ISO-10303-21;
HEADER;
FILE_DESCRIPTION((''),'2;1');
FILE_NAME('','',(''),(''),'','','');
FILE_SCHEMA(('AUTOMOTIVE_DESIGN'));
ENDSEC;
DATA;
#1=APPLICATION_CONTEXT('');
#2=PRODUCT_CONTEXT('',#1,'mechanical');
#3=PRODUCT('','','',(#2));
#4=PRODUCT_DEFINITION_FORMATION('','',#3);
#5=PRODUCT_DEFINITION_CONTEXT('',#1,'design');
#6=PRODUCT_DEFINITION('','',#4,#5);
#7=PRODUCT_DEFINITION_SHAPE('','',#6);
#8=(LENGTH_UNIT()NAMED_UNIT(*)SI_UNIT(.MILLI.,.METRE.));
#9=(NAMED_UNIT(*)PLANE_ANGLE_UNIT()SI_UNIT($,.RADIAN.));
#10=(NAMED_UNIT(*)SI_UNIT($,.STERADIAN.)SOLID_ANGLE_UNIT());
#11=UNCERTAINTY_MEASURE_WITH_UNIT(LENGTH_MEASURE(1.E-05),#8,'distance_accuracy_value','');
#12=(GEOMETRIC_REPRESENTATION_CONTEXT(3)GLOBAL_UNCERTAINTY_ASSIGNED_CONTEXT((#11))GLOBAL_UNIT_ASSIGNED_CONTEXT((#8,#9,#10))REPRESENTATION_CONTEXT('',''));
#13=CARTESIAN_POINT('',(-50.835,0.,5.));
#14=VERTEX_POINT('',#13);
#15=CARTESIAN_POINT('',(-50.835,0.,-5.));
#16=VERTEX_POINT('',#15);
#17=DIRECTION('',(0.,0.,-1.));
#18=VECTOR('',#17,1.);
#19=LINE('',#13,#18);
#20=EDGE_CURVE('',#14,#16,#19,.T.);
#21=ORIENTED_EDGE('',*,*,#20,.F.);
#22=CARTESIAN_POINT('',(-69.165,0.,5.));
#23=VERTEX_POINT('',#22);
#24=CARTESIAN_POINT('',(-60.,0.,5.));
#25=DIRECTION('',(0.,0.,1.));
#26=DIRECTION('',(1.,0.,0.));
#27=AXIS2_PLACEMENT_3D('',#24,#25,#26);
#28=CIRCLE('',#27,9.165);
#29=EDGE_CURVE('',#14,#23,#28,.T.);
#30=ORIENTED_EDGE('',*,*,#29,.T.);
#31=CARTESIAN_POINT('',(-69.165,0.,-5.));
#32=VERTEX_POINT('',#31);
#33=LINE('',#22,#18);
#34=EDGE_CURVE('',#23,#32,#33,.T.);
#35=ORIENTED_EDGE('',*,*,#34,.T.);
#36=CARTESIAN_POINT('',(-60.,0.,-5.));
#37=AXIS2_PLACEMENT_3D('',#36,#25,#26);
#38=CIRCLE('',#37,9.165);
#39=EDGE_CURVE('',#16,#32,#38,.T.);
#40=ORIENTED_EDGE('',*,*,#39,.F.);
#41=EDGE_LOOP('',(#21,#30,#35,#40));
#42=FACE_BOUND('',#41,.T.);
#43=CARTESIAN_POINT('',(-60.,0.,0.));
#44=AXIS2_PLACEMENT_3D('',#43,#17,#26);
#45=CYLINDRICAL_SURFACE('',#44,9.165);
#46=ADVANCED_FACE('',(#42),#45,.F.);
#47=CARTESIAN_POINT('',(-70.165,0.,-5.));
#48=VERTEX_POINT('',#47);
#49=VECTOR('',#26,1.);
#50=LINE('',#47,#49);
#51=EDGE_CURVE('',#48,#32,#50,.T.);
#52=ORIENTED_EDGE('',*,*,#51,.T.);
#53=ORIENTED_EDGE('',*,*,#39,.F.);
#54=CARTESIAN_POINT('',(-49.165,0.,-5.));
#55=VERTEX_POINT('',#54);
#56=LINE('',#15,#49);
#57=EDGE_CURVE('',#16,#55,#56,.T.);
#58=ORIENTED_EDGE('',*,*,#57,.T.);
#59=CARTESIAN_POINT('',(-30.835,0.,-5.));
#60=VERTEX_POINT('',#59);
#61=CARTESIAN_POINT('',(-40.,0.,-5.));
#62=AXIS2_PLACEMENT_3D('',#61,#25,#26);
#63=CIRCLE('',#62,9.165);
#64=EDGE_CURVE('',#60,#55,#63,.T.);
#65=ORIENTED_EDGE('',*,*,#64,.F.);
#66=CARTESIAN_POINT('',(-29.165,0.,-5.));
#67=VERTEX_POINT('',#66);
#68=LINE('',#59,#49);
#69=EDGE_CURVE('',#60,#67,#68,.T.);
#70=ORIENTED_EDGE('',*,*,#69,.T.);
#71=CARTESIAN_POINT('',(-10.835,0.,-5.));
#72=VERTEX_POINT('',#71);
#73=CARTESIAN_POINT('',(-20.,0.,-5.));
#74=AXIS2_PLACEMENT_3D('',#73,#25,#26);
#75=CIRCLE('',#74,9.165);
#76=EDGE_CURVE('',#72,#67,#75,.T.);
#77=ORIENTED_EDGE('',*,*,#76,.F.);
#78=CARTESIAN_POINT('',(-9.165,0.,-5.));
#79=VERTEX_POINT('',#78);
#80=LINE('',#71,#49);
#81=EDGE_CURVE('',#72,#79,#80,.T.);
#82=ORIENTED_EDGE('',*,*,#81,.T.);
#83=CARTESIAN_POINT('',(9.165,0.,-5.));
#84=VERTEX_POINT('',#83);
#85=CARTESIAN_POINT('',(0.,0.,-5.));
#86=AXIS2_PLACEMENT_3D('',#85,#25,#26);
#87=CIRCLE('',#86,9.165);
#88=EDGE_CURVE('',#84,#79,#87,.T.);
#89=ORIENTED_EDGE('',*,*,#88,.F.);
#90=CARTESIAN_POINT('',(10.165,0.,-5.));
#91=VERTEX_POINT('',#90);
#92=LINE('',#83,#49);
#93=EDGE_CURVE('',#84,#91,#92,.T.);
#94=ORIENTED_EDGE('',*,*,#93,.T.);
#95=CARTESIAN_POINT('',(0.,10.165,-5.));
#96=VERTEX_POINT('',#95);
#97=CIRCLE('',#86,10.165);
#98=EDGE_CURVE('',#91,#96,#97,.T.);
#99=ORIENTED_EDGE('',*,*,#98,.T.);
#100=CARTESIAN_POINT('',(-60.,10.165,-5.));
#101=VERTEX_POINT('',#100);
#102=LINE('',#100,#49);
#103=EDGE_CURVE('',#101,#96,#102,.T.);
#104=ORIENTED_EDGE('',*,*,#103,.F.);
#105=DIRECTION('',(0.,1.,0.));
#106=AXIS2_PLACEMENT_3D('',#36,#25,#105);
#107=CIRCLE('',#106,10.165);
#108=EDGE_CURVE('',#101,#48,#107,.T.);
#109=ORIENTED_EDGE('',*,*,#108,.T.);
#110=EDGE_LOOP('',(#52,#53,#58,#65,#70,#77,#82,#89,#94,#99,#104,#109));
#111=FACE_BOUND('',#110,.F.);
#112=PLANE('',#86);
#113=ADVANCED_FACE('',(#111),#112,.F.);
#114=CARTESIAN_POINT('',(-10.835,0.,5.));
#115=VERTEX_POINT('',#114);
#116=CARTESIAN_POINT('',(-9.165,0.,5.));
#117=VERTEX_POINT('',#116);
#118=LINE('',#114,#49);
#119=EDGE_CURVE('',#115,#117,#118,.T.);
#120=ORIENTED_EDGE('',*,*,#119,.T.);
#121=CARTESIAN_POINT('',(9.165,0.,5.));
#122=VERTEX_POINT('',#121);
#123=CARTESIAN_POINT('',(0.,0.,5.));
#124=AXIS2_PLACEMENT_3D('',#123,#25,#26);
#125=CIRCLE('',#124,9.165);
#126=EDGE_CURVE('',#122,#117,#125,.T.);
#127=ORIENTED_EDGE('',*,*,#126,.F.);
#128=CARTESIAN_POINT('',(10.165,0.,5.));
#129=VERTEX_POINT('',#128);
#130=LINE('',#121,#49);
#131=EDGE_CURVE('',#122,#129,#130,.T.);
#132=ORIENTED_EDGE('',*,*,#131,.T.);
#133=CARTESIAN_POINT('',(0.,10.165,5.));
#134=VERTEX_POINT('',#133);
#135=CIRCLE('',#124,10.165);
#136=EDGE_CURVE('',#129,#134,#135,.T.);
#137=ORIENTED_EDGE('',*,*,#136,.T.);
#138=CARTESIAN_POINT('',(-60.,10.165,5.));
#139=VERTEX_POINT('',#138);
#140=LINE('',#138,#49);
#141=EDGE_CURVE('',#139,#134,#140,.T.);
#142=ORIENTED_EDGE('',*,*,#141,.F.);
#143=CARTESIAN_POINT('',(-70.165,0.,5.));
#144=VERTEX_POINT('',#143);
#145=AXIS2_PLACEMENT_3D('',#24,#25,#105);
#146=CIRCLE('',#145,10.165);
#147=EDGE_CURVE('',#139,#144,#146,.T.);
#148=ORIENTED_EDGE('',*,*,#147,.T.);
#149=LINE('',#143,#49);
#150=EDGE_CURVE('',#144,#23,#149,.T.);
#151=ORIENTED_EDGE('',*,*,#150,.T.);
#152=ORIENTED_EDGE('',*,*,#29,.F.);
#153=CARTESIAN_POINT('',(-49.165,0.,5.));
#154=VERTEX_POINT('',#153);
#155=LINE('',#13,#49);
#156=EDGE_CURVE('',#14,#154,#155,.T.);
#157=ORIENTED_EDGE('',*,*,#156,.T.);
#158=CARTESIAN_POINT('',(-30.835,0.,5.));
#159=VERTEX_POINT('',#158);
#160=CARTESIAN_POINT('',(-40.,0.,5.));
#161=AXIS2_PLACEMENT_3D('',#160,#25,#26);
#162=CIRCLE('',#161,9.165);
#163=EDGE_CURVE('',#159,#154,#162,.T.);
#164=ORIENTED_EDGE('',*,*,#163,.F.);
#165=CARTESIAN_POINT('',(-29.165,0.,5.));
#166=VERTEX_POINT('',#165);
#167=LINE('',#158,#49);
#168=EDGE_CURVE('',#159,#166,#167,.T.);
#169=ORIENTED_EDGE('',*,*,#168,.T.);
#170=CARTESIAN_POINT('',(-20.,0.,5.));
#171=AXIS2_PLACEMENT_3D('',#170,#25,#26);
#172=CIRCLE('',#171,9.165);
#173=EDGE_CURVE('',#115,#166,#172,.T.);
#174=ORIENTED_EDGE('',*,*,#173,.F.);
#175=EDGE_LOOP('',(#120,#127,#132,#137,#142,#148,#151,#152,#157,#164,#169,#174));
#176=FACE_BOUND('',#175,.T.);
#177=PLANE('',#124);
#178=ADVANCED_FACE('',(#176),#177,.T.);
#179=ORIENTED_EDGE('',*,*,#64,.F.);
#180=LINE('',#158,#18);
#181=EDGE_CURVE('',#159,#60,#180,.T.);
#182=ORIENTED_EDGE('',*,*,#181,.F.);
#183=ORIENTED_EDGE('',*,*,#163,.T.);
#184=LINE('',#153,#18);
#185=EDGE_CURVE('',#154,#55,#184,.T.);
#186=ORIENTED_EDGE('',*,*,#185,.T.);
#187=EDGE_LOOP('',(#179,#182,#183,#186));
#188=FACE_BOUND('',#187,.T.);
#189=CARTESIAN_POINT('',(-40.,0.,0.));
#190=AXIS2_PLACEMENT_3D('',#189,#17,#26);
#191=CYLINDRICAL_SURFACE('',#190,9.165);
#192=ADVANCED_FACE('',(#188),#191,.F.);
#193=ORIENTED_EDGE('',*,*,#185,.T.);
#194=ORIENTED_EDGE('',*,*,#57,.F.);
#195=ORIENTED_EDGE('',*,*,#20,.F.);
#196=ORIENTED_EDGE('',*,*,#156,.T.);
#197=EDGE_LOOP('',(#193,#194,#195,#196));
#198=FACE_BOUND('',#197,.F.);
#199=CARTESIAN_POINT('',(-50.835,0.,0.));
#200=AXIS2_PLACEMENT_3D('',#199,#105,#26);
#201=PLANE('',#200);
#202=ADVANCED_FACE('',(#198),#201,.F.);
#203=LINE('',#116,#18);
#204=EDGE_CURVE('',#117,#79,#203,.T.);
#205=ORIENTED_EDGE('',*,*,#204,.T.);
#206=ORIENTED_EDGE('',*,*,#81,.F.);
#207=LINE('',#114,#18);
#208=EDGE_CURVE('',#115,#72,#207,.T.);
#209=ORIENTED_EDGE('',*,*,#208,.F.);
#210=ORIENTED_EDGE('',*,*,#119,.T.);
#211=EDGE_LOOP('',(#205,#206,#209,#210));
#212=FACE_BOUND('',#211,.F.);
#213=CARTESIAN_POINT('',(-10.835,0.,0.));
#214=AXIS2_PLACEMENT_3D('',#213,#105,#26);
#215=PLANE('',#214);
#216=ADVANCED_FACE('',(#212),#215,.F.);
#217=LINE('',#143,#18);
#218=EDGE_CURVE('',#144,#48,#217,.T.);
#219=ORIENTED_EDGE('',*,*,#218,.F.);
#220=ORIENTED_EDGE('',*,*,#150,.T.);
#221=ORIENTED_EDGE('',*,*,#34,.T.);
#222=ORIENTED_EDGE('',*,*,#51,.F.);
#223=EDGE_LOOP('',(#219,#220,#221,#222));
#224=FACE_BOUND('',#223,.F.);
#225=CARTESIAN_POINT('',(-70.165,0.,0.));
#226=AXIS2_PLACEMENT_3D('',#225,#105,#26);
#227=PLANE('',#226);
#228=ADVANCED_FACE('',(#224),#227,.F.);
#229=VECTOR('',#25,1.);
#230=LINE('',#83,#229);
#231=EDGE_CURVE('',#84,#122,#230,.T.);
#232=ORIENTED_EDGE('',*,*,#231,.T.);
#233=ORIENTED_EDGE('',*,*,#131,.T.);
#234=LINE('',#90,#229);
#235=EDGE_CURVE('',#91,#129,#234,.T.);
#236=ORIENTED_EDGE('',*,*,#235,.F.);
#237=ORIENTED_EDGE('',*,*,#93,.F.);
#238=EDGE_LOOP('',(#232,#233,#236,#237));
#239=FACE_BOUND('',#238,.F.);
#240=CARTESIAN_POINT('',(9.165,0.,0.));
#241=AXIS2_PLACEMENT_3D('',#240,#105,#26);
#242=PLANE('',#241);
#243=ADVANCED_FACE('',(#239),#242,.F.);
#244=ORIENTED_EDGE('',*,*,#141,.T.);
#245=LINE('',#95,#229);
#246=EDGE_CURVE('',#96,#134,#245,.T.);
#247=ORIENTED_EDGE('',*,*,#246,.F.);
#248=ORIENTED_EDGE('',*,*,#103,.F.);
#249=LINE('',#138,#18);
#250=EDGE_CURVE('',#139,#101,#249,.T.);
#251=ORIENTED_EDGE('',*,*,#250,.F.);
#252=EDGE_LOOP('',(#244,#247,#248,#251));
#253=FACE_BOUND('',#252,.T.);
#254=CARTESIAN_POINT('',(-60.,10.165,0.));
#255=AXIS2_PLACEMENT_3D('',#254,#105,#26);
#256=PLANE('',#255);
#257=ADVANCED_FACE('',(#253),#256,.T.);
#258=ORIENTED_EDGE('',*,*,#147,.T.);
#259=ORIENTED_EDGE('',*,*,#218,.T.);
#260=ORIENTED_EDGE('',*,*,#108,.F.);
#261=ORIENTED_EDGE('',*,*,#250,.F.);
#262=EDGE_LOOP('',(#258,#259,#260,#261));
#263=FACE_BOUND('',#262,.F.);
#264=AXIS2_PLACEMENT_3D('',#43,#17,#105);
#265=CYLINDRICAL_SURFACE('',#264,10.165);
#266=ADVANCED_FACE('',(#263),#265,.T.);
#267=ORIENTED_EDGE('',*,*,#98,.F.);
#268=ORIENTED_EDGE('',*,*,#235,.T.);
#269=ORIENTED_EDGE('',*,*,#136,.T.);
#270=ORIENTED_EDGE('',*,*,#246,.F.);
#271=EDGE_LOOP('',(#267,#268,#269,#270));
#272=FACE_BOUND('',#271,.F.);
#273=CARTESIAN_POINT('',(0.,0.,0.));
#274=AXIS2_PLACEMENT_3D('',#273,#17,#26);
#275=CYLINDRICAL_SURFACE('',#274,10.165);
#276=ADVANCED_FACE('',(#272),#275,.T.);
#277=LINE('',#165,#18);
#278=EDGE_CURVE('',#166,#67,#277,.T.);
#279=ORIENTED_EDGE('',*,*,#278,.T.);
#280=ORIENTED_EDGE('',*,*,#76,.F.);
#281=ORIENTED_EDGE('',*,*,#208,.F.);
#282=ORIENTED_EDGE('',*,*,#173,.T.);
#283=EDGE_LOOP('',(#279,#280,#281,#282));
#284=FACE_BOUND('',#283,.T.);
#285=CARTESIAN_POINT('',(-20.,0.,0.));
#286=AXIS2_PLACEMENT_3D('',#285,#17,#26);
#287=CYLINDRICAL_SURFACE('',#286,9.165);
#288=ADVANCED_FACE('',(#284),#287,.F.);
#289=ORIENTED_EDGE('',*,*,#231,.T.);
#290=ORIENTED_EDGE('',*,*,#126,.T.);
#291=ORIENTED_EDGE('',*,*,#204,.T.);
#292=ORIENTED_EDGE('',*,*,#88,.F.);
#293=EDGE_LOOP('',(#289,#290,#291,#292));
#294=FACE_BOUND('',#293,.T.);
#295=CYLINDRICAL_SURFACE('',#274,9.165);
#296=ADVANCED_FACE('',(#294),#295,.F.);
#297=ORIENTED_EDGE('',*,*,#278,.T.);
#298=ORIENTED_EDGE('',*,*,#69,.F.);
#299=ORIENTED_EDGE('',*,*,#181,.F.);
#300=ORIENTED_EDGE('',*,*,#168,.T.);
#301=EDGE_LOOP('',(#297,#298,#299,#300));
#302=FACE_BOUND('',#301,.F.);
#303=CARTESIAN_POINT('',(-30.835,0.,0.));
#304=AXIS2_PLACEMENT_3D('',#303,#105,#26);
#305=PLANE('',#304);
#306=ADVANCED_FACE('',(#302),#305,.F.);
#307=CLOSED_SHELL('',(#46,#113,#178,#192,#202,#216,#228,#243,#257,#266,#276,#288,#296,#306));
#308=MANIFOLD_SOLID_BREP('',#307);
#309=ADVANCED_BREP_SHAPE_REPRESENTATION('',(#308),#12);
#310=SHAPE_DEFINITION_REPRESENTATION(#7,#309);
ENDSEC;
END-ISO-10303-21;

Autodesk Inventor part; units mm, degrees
ref_plane "YZ Plane" through (0, 0, 0) normal (1, 0, 0) x (0, 1, 0)
ref_plane "XZ Plane" through (0, 0, 0) normal (0, 1, 0) x (-1, 0, 0)
ref_plane "XY Plane" through (0, 0, 0) normal (0, 0, 1) x (1, 0, 0)
sketch "Sketch1" plane through (0, 0, 0) normal (0, 0, 1) x (1, 0, 0)
  circle A0 centre (0, 0) radius 9.165
  line L0 (0, 0) -> (-2.3778, 0) construction
  circle A1 centre (-20, 0) radius 9.165
  circle A2 centre (-40, 0) radius 9.165
  circle A3 centre (-60, 0) radius 9.165
  arc A4 (10.165, 0) -> (0, 10.165) centre (0, 0) ccw
  arc A5 (-60, 10.165) -> (-70.165, 0) centre (-60, 0) ccw
  line L1 (-60, 10.165) -> (0, 10.165)
  line L2 (-50.835, 0) -> (-49.165, 0)
  line L3 (-30.835, 0) -> (-29.165, 0)
  line L4 (-10.835, 0) -> (-9.165, 0)
  line L5 (-70.165, 0) -> (-69.165, 0)
  line L6 (9.165, 0) -> (10.165, 0)
  dimension "d0" = 18.33
  dimension "d3" = 20
  dimension "d8" = 1
  dimension "d9" = 1
extrude "Extrusion1" add sketch "Sketch1" along normal mid plane 10 contours A0 L4 A1 L3 A2 L2 A3 L5 A5 L1 A4 L6
properties part number "batteryspacer"
